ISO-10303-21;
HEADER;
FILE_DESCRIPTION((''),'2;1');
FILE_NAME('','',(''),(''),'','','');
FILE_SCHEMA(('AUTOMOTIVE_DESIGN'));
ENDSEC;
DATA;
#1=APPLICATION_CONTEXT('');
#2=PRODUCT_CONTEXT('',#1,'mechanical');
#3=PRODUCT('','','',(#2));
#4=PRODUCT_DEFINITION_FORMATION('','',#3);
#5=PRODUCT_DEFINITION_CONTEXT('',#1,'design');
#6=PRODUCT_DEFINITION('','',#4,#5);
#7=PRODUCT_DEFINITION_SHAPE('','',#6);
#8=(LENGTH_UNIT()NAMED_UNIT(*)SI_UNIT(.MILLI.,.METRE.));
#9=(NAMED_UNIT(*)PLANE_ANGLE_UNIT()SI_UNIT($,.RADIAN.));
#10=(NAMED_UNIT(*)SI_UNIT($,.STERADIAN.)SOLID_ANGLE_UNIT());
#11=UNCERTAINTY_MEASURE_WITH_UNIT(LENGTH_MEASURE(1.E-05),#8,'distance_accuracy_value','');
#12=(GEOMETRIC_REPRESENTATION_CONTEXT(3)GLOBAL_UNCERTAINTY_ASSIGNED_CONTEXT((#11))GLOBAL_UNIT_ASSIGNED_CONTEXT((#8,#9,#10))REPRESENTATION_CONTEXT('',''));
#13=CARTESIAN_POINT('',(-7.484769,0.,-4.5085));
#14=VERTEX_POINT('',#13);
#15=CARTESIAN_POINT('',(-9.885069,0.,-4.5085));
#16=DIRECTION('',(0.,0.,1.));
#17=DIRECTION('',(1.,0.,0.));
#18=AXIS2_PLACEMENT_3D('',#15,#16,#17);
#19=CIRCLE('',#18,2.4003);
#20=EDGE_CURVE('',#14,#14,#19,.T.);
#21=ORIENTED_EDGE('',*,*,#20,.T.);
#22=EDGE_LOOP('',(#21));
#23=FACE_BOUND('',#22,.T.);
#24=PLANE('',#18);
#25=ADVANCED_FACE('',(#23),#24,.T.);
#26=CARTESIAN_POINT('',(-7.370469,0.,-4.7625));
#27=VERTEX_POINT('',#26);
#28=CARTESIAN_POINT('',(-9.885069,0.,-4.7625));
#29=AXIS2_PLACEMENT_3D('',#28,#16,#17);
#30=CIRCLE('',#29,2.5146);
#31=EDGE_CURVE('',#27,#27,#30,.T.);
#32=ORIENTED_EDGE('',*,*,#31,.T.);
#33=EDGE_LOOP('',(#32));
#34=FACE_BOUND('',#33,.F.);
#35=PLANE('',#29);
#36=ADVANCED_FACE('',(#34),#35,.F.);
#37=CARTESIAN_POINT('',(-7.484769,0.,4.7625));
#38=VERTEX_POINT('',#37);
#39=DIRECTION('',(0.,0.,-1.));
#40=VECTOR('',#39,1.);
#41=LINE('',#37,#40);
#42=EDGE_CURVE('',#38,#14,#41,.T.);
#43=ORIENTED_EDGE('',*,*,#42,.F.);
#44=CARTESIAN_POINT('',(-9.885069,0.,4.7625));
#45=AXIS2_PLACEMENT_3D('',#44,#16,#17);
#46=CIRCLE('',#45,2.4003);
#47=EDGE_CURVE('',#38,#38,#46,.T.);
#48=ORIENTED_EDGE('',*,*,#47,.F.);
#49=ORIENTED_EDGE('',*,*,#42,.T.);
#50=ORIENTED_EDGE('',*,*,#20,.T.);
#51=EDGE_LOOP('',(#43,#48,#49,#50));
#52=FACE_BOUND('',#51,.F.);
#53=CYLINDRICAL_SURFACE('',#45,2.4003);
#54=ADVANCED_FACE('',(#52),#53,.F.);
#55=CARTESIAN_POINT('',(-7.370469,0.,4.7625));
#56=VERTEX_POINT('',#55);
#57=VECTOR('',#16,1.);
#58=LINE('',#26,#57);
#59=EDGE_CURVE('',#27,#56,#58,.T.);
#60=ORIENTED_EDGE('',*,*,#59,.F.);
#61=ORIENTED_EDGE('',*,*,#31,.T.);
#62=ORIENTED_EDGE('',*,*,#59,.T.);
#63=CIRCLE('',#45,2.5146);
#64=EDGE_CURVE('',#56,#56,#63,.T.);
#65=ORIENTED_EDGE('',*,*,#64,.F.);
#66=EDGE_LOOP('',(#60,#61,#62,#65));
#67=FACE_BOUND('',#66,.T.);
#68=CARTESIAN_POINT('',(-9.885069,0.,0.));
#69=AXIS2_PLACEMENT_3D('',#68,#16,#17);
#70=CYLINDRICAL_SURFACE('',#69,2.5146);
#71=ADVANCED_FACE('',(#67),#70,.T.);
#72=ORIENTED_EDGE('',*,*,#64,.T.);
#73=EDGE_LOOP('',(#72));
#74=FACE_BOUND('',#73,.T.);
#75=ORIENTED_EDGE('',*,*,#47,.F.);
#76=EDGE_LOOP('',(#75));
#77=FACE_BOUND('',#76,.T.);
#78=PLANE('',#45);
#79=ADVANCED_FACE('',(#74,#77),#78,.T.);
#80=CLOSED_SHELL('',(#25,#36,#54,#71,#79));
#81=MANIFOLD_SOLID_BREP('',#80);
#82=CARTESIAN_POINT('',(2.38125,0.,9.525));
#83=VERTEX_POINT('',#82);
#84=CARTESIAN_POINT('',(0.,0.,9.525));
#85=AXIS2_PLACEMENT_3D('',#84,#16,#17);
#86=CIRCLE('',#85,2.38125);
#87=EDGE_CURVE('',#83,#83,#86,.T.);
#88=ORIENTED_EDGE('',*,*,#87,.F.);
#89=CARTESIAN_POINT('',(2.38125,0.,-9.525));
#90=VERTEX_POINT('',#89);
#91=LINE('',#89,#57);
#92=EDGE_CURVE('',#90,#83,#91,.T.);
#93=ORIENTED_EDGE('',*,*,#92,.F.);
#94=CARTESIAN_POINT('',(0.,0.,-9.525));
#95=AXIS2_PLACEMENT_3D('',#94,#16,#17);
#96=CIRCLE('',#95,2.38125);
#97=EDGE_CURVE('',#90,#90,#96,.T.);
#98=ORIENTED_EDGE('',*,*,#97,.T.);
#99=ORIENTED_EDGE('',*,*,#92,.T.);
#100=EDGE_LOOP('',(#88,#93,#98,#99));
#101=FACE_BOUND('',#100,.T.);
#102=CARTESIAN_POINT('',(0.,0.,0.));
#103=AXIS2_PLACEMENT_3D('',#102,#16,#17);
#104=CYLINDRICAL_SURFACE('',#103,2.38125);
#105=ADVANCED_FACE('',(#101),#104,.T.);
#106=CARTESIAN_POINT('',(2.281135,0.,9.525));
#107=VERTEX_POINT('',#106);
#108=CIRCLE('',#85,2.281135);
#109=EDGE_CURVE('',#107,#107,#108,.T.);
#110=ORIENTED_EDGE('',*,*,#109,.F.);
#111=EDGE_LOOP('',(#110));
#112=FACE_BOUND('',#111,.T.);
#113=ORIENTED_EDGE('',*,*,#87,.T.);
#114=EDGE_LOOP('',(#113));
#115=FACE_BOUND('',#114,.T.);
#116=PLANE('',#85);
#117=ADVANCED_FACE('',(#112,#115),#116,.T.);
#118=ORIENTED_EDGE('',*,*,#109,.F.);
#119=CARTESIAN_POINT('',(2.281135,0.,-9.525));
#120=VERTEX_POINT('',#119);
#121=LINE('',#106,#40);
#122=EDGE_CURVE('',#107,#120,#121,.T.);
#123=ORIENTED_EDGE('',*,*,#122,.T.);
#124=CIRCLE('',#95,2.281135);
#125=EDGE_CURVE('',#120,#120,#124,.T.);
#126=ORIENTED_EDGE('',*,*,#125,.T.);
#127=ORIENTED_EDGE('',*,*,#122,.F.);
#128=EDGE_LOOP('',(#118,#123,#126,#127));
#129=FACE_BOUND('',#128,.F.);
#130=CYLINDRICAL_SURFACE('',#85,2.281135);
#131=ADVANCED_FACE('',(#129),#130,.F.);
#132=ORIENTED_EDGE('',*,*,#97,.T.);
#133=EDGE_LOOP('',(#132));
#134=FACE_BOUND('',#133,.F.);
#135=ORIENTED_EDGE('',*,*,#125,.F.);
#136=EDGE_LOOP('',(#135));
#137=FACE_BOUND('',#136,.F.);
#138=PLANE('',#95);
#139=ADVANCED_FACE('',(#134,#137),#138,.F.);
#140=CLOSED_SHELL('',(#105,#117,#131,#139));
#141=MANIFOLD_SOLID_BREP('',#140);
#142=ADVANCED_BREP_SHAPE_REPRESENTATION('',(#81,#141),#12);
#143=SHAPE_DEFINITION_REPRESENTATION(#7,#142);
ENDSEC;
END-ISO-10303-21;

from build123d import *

# Parameters (mm, degrees)
F0_R     = 2.38125
F1_DEPTH = 9.525
F2_R     = 2.281135
F3_DEPTH = 19.05
F0_R_2   = 2.5146
F4_DEPTH = 4.7625
F5_R     = 2.4003
F6_DEPTH = 9.271


with BuildPart() as f1:
    # F0 (on Top) → F1 (new body, symmetric)
    with BuildSketch(Plane.XY):
        Circle(F0_R)
    extrude(amount=F1_DEPTH, both=True)

    # F2 (on face) → F3 (cut)
    with BuildSketch(Plane.XY.offset(9.525)):
        Circle(F2_R)
    extrude(amount=-F3_DEPTH, mode=Mode.SUBTRACT)


with BuildPart() as f4:
    # F0 (on Top) → F4 (new body, symmetric)
    with BuildSketch(Plane.XY):
        with Locations((-9.885069, 0)):
            Circle(F0_R_2)
    extrude(amount=F4_DEPTH, both=True)

    # F5 (on face) → F6 (cut)
    with BuildSketch(Plane.XY.offset(4.7625)):
        with Locations((-9.885069, 0)):
            Circle(F5_R)
    extrude(amount=-F6_DEPTH, mode=Mode.SUBTRACT)


solid = Compound([f1.part, f4.part])
